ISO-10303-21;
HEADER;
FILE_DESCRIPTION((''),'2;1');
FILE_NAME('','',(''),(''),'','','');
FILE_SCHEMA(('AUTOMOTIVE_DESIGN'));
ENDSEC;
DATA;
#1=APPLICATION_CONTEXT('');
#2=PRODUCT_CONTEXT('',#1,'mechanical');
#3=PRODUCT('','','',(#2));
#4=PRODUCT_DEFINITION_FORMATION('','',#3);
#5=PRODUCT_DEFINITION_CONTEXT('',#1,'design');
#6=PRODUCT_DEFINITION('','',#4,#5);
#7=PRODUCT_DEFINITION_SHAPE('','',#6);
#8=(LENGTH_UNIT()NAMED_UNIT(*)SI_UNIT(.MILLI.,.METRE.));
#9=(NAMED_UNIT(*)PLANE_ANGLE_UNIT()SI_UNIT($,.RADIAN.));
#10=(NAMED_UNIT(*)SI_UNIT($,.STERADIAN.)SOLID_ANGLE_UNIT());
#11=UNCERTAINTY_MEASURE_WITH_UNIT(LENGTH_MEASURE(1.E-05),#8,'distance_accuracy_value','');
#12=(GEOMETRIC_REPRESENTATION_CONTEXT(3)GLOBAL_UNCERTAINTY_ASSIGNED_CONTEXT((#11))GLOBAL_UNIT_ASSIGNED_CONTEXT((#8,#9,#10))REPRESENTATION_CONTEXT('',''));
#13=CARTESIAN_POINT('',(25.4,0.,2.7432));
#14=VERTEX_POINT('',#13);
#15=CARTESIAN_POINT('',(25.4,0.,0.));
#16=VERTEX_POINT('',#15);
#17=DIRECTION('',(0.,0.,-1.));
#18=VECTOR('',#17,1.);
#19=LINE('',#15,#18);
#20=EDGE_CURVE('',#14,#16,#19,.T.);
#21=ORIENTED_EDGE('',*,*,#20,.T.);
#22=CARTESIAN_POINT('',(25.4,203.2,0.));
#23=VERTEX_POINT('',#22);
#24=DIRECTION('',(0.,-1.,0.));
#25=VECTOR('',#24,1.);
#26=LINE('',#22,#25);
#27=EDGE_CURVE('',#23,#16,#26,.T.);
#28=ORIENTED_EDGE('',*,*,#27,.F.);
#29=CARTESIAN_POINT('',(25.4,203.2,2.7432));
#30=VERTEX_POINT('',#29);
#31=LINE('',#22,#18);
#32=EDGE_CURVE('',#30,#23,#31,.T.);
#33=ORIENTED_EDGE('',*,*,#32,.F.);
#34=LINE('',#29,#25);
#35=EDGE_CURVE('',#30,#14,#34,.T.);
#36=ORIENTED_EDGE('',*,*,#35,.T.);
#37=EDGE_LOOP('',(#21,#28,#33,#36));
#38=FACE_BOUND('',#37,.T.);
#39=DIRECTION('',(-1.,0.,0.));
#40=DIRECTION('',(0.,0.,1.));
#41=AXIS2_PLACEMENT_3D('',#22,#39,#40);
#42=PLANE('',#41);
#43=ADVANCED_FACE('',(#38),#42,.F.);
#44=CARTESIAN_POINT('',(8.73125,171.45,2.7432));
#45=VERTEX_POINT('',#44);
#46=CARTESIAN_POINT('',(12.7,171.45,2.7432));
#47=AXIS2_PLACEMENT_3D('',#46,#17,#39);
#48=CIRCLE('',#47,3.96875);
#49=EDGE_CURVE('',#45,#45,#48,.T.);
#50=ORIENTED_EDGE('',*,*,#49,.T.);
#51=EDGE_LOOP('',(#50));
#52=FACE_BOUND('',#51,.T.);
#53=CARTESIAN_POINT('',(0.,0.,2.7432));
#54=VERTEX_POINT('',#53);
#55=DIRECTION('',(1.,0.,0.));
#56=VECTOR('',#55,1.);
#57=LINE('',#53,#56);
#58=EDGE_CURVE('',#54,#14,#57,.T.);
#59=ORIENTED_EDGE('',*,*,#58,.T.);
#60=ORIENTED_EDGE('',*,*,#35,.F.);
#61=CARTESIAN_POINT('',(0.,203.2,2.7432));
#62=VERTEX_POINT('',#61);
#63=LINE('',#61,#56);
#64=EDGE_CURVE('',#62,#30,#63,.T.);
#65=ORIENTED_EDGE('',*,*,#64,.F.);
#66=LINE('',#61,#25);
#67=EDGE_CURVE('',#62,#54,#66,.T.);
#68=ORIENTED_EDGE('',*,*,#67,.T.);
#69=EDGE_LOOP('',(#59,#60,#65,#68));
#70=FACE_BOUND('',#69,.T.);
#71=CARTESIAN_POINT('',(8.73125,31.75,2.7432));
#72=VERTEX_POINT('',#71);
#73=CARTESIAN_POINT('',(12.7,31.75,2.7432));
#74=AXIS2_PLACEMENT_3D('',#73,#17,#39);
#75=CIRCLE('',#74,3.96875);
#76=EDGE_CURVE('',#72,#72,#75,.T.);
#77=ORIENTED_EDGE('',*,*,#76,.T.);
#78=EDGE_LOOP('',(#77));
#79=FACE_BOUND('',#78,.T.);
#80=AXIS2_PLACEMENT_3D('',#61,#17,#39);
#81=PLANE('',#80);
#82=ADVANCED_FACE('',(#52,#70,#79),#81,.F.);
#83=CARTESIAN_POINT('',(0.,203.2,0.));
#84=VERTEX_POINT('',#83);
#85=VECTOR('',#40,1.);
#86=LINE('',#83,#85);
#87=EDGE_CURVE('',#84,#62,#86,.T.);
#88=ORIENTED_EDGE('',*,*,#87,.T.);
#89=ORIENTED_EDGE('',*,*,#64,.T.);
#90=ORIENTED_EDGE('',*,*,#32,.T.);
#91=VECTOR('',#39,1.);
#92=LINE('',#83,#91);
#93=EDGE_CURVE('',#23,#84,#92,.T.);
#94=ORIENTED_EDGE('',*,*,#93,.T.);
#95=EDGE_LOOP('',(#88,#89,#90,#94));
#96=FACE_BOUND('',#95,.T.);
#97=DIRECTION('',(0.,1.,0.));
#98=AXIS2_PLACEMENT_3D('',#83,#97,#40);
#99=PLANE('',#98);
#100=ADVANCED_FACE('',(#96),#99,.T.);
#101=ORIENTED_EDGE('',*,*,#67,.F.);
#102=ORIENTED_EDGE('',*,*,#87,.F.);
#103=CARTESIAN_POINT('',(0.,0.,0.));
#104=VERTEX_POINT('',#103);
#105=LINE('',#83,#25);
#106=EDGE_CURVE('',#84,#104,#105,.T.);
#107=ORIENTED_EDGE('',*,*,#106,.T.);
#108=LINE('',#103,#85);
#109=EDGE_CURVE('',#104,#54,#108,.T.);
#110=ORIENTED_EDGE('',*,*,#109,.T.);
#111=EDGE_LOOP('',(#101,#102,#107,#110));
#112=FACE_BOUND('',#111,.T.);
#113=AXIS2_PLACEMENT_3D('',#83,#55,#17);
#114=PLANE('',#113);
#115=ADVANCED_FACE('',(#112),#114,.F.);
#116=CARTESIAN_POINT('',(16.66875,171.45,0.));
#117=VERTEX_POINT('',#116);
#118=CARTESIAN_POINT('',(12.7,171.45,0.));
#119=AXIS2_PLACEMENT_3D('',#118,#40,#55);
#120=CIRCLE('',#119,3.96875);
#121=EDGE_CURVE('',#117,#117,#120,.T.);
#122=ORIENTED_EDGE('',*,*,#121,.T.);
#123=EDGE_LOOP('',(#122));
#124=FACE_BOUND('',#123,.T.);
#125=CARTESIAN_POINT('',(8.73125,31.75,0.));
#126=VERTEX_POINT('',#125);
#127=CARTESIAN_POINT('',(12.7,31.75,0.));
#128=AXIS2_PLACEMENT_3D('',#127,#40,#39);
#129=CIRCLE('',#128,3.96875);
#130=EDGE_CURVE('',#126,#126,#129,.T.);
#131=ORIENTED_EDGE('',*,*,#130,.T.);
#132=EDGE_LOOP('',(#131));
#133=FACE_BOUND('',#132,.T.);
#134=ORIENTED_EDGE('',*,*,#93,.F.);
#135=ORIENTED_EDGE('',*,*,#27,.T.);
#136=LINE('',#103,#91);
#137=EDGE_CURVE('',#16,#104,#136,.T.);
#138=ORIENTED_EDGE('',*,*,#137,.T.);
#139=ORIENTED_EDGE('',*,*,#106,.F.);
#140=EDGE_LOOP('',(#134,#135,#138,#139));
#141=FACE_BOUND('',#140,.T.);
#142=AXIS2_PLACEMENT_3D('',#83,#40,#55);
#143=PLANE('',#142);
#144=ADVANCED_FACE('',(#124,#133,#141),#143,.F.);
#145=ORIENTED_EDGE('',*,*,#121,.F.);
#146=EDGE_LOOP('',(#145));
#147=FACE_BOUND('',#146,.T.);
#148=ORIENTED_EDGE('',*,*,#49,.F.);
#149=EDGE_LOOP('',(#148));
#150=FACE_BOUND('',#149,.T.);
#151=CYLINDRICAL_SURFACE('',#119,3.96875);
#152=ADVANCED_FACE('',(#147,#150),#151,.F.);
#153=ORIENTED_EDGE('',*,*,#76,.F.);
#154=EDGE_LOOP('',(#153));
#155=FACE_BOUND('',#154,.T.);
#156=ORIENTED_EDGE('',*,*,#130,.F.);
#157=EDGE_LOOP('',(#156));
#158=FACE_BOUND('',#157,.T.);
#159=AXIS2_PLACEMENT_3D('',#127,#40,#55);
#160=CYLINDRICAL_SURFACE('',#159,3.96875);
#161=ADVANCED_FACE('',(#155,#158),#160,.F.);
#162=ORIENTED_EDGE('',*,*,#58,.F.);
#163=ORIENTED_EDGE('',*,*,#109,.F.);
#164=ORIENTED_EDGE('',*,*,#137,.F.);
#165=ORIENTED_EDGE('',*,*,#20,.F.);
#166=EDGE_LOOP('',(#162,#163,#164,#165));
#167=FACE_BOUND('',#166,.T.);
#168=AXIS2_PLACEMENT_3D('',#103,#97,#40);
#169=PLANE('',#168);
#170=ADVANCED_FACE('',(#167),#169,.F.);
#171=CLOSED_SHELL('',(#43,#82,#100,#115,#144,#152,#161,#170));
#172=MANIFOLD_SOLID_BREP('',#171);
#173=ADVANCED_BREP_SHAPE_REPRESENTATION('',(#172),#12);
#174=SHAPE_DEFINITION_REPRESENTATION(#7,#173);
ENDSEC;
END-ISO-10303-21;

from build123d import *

# Parameters (mm, degrees)
SKETCH1_W               = 25.4
SKETCH1_H               = 2.7432
BOSS_EXTRUDE1_DEPTH     = 203.2
CUT_EXTRUDE1_DEPTH      = 109.054860552
CUT_EXTRUDE1_DEPTH_BACK = 109.054860552
SKETCH2_R               = 3.96875


with BuildPart() as part:
    # Sketch1 → Boss-Extrude1 (new body)
    with BuildSketch(Plane(origin=(0, 0, 0), x_dir=(1, 0, 0), z_dir=(0, 1, 0))):
        with Locations((12.7, -1.3716)):
            Rectangle(SKETCH1_W, SKETCH1_H)
    extrude(amount=BOSS_EXTRUDE1_DEPTH)

    # Sketch2 → Cut-Extrude1 (cut, two sides: drawn at the far end of the back side and taken through both)
    with BuildSketch(Plane(origin=(8.791703067, 106.606717755, 5.9182), x_dir=(1, 0, 0), z_dir=(0, 0, 1)).offset(-CUT_EXTRUDE1_DEPTH_BACK)):
        with Locations((3.908296933, 64.843282245)):
            Circle(SKETCH2_R)
        with Locations(Location((3.908296933, -74.856717755, 0), (0, 0, 180))):
            Circle(SKETCH2_R)
    extrude(amount=CUT_EXTRUDE1_DEPTH + CUT_EXTRUDE1_DEPTH_BACK, mode=Mode.SUBTRACT)


solid = part.part
